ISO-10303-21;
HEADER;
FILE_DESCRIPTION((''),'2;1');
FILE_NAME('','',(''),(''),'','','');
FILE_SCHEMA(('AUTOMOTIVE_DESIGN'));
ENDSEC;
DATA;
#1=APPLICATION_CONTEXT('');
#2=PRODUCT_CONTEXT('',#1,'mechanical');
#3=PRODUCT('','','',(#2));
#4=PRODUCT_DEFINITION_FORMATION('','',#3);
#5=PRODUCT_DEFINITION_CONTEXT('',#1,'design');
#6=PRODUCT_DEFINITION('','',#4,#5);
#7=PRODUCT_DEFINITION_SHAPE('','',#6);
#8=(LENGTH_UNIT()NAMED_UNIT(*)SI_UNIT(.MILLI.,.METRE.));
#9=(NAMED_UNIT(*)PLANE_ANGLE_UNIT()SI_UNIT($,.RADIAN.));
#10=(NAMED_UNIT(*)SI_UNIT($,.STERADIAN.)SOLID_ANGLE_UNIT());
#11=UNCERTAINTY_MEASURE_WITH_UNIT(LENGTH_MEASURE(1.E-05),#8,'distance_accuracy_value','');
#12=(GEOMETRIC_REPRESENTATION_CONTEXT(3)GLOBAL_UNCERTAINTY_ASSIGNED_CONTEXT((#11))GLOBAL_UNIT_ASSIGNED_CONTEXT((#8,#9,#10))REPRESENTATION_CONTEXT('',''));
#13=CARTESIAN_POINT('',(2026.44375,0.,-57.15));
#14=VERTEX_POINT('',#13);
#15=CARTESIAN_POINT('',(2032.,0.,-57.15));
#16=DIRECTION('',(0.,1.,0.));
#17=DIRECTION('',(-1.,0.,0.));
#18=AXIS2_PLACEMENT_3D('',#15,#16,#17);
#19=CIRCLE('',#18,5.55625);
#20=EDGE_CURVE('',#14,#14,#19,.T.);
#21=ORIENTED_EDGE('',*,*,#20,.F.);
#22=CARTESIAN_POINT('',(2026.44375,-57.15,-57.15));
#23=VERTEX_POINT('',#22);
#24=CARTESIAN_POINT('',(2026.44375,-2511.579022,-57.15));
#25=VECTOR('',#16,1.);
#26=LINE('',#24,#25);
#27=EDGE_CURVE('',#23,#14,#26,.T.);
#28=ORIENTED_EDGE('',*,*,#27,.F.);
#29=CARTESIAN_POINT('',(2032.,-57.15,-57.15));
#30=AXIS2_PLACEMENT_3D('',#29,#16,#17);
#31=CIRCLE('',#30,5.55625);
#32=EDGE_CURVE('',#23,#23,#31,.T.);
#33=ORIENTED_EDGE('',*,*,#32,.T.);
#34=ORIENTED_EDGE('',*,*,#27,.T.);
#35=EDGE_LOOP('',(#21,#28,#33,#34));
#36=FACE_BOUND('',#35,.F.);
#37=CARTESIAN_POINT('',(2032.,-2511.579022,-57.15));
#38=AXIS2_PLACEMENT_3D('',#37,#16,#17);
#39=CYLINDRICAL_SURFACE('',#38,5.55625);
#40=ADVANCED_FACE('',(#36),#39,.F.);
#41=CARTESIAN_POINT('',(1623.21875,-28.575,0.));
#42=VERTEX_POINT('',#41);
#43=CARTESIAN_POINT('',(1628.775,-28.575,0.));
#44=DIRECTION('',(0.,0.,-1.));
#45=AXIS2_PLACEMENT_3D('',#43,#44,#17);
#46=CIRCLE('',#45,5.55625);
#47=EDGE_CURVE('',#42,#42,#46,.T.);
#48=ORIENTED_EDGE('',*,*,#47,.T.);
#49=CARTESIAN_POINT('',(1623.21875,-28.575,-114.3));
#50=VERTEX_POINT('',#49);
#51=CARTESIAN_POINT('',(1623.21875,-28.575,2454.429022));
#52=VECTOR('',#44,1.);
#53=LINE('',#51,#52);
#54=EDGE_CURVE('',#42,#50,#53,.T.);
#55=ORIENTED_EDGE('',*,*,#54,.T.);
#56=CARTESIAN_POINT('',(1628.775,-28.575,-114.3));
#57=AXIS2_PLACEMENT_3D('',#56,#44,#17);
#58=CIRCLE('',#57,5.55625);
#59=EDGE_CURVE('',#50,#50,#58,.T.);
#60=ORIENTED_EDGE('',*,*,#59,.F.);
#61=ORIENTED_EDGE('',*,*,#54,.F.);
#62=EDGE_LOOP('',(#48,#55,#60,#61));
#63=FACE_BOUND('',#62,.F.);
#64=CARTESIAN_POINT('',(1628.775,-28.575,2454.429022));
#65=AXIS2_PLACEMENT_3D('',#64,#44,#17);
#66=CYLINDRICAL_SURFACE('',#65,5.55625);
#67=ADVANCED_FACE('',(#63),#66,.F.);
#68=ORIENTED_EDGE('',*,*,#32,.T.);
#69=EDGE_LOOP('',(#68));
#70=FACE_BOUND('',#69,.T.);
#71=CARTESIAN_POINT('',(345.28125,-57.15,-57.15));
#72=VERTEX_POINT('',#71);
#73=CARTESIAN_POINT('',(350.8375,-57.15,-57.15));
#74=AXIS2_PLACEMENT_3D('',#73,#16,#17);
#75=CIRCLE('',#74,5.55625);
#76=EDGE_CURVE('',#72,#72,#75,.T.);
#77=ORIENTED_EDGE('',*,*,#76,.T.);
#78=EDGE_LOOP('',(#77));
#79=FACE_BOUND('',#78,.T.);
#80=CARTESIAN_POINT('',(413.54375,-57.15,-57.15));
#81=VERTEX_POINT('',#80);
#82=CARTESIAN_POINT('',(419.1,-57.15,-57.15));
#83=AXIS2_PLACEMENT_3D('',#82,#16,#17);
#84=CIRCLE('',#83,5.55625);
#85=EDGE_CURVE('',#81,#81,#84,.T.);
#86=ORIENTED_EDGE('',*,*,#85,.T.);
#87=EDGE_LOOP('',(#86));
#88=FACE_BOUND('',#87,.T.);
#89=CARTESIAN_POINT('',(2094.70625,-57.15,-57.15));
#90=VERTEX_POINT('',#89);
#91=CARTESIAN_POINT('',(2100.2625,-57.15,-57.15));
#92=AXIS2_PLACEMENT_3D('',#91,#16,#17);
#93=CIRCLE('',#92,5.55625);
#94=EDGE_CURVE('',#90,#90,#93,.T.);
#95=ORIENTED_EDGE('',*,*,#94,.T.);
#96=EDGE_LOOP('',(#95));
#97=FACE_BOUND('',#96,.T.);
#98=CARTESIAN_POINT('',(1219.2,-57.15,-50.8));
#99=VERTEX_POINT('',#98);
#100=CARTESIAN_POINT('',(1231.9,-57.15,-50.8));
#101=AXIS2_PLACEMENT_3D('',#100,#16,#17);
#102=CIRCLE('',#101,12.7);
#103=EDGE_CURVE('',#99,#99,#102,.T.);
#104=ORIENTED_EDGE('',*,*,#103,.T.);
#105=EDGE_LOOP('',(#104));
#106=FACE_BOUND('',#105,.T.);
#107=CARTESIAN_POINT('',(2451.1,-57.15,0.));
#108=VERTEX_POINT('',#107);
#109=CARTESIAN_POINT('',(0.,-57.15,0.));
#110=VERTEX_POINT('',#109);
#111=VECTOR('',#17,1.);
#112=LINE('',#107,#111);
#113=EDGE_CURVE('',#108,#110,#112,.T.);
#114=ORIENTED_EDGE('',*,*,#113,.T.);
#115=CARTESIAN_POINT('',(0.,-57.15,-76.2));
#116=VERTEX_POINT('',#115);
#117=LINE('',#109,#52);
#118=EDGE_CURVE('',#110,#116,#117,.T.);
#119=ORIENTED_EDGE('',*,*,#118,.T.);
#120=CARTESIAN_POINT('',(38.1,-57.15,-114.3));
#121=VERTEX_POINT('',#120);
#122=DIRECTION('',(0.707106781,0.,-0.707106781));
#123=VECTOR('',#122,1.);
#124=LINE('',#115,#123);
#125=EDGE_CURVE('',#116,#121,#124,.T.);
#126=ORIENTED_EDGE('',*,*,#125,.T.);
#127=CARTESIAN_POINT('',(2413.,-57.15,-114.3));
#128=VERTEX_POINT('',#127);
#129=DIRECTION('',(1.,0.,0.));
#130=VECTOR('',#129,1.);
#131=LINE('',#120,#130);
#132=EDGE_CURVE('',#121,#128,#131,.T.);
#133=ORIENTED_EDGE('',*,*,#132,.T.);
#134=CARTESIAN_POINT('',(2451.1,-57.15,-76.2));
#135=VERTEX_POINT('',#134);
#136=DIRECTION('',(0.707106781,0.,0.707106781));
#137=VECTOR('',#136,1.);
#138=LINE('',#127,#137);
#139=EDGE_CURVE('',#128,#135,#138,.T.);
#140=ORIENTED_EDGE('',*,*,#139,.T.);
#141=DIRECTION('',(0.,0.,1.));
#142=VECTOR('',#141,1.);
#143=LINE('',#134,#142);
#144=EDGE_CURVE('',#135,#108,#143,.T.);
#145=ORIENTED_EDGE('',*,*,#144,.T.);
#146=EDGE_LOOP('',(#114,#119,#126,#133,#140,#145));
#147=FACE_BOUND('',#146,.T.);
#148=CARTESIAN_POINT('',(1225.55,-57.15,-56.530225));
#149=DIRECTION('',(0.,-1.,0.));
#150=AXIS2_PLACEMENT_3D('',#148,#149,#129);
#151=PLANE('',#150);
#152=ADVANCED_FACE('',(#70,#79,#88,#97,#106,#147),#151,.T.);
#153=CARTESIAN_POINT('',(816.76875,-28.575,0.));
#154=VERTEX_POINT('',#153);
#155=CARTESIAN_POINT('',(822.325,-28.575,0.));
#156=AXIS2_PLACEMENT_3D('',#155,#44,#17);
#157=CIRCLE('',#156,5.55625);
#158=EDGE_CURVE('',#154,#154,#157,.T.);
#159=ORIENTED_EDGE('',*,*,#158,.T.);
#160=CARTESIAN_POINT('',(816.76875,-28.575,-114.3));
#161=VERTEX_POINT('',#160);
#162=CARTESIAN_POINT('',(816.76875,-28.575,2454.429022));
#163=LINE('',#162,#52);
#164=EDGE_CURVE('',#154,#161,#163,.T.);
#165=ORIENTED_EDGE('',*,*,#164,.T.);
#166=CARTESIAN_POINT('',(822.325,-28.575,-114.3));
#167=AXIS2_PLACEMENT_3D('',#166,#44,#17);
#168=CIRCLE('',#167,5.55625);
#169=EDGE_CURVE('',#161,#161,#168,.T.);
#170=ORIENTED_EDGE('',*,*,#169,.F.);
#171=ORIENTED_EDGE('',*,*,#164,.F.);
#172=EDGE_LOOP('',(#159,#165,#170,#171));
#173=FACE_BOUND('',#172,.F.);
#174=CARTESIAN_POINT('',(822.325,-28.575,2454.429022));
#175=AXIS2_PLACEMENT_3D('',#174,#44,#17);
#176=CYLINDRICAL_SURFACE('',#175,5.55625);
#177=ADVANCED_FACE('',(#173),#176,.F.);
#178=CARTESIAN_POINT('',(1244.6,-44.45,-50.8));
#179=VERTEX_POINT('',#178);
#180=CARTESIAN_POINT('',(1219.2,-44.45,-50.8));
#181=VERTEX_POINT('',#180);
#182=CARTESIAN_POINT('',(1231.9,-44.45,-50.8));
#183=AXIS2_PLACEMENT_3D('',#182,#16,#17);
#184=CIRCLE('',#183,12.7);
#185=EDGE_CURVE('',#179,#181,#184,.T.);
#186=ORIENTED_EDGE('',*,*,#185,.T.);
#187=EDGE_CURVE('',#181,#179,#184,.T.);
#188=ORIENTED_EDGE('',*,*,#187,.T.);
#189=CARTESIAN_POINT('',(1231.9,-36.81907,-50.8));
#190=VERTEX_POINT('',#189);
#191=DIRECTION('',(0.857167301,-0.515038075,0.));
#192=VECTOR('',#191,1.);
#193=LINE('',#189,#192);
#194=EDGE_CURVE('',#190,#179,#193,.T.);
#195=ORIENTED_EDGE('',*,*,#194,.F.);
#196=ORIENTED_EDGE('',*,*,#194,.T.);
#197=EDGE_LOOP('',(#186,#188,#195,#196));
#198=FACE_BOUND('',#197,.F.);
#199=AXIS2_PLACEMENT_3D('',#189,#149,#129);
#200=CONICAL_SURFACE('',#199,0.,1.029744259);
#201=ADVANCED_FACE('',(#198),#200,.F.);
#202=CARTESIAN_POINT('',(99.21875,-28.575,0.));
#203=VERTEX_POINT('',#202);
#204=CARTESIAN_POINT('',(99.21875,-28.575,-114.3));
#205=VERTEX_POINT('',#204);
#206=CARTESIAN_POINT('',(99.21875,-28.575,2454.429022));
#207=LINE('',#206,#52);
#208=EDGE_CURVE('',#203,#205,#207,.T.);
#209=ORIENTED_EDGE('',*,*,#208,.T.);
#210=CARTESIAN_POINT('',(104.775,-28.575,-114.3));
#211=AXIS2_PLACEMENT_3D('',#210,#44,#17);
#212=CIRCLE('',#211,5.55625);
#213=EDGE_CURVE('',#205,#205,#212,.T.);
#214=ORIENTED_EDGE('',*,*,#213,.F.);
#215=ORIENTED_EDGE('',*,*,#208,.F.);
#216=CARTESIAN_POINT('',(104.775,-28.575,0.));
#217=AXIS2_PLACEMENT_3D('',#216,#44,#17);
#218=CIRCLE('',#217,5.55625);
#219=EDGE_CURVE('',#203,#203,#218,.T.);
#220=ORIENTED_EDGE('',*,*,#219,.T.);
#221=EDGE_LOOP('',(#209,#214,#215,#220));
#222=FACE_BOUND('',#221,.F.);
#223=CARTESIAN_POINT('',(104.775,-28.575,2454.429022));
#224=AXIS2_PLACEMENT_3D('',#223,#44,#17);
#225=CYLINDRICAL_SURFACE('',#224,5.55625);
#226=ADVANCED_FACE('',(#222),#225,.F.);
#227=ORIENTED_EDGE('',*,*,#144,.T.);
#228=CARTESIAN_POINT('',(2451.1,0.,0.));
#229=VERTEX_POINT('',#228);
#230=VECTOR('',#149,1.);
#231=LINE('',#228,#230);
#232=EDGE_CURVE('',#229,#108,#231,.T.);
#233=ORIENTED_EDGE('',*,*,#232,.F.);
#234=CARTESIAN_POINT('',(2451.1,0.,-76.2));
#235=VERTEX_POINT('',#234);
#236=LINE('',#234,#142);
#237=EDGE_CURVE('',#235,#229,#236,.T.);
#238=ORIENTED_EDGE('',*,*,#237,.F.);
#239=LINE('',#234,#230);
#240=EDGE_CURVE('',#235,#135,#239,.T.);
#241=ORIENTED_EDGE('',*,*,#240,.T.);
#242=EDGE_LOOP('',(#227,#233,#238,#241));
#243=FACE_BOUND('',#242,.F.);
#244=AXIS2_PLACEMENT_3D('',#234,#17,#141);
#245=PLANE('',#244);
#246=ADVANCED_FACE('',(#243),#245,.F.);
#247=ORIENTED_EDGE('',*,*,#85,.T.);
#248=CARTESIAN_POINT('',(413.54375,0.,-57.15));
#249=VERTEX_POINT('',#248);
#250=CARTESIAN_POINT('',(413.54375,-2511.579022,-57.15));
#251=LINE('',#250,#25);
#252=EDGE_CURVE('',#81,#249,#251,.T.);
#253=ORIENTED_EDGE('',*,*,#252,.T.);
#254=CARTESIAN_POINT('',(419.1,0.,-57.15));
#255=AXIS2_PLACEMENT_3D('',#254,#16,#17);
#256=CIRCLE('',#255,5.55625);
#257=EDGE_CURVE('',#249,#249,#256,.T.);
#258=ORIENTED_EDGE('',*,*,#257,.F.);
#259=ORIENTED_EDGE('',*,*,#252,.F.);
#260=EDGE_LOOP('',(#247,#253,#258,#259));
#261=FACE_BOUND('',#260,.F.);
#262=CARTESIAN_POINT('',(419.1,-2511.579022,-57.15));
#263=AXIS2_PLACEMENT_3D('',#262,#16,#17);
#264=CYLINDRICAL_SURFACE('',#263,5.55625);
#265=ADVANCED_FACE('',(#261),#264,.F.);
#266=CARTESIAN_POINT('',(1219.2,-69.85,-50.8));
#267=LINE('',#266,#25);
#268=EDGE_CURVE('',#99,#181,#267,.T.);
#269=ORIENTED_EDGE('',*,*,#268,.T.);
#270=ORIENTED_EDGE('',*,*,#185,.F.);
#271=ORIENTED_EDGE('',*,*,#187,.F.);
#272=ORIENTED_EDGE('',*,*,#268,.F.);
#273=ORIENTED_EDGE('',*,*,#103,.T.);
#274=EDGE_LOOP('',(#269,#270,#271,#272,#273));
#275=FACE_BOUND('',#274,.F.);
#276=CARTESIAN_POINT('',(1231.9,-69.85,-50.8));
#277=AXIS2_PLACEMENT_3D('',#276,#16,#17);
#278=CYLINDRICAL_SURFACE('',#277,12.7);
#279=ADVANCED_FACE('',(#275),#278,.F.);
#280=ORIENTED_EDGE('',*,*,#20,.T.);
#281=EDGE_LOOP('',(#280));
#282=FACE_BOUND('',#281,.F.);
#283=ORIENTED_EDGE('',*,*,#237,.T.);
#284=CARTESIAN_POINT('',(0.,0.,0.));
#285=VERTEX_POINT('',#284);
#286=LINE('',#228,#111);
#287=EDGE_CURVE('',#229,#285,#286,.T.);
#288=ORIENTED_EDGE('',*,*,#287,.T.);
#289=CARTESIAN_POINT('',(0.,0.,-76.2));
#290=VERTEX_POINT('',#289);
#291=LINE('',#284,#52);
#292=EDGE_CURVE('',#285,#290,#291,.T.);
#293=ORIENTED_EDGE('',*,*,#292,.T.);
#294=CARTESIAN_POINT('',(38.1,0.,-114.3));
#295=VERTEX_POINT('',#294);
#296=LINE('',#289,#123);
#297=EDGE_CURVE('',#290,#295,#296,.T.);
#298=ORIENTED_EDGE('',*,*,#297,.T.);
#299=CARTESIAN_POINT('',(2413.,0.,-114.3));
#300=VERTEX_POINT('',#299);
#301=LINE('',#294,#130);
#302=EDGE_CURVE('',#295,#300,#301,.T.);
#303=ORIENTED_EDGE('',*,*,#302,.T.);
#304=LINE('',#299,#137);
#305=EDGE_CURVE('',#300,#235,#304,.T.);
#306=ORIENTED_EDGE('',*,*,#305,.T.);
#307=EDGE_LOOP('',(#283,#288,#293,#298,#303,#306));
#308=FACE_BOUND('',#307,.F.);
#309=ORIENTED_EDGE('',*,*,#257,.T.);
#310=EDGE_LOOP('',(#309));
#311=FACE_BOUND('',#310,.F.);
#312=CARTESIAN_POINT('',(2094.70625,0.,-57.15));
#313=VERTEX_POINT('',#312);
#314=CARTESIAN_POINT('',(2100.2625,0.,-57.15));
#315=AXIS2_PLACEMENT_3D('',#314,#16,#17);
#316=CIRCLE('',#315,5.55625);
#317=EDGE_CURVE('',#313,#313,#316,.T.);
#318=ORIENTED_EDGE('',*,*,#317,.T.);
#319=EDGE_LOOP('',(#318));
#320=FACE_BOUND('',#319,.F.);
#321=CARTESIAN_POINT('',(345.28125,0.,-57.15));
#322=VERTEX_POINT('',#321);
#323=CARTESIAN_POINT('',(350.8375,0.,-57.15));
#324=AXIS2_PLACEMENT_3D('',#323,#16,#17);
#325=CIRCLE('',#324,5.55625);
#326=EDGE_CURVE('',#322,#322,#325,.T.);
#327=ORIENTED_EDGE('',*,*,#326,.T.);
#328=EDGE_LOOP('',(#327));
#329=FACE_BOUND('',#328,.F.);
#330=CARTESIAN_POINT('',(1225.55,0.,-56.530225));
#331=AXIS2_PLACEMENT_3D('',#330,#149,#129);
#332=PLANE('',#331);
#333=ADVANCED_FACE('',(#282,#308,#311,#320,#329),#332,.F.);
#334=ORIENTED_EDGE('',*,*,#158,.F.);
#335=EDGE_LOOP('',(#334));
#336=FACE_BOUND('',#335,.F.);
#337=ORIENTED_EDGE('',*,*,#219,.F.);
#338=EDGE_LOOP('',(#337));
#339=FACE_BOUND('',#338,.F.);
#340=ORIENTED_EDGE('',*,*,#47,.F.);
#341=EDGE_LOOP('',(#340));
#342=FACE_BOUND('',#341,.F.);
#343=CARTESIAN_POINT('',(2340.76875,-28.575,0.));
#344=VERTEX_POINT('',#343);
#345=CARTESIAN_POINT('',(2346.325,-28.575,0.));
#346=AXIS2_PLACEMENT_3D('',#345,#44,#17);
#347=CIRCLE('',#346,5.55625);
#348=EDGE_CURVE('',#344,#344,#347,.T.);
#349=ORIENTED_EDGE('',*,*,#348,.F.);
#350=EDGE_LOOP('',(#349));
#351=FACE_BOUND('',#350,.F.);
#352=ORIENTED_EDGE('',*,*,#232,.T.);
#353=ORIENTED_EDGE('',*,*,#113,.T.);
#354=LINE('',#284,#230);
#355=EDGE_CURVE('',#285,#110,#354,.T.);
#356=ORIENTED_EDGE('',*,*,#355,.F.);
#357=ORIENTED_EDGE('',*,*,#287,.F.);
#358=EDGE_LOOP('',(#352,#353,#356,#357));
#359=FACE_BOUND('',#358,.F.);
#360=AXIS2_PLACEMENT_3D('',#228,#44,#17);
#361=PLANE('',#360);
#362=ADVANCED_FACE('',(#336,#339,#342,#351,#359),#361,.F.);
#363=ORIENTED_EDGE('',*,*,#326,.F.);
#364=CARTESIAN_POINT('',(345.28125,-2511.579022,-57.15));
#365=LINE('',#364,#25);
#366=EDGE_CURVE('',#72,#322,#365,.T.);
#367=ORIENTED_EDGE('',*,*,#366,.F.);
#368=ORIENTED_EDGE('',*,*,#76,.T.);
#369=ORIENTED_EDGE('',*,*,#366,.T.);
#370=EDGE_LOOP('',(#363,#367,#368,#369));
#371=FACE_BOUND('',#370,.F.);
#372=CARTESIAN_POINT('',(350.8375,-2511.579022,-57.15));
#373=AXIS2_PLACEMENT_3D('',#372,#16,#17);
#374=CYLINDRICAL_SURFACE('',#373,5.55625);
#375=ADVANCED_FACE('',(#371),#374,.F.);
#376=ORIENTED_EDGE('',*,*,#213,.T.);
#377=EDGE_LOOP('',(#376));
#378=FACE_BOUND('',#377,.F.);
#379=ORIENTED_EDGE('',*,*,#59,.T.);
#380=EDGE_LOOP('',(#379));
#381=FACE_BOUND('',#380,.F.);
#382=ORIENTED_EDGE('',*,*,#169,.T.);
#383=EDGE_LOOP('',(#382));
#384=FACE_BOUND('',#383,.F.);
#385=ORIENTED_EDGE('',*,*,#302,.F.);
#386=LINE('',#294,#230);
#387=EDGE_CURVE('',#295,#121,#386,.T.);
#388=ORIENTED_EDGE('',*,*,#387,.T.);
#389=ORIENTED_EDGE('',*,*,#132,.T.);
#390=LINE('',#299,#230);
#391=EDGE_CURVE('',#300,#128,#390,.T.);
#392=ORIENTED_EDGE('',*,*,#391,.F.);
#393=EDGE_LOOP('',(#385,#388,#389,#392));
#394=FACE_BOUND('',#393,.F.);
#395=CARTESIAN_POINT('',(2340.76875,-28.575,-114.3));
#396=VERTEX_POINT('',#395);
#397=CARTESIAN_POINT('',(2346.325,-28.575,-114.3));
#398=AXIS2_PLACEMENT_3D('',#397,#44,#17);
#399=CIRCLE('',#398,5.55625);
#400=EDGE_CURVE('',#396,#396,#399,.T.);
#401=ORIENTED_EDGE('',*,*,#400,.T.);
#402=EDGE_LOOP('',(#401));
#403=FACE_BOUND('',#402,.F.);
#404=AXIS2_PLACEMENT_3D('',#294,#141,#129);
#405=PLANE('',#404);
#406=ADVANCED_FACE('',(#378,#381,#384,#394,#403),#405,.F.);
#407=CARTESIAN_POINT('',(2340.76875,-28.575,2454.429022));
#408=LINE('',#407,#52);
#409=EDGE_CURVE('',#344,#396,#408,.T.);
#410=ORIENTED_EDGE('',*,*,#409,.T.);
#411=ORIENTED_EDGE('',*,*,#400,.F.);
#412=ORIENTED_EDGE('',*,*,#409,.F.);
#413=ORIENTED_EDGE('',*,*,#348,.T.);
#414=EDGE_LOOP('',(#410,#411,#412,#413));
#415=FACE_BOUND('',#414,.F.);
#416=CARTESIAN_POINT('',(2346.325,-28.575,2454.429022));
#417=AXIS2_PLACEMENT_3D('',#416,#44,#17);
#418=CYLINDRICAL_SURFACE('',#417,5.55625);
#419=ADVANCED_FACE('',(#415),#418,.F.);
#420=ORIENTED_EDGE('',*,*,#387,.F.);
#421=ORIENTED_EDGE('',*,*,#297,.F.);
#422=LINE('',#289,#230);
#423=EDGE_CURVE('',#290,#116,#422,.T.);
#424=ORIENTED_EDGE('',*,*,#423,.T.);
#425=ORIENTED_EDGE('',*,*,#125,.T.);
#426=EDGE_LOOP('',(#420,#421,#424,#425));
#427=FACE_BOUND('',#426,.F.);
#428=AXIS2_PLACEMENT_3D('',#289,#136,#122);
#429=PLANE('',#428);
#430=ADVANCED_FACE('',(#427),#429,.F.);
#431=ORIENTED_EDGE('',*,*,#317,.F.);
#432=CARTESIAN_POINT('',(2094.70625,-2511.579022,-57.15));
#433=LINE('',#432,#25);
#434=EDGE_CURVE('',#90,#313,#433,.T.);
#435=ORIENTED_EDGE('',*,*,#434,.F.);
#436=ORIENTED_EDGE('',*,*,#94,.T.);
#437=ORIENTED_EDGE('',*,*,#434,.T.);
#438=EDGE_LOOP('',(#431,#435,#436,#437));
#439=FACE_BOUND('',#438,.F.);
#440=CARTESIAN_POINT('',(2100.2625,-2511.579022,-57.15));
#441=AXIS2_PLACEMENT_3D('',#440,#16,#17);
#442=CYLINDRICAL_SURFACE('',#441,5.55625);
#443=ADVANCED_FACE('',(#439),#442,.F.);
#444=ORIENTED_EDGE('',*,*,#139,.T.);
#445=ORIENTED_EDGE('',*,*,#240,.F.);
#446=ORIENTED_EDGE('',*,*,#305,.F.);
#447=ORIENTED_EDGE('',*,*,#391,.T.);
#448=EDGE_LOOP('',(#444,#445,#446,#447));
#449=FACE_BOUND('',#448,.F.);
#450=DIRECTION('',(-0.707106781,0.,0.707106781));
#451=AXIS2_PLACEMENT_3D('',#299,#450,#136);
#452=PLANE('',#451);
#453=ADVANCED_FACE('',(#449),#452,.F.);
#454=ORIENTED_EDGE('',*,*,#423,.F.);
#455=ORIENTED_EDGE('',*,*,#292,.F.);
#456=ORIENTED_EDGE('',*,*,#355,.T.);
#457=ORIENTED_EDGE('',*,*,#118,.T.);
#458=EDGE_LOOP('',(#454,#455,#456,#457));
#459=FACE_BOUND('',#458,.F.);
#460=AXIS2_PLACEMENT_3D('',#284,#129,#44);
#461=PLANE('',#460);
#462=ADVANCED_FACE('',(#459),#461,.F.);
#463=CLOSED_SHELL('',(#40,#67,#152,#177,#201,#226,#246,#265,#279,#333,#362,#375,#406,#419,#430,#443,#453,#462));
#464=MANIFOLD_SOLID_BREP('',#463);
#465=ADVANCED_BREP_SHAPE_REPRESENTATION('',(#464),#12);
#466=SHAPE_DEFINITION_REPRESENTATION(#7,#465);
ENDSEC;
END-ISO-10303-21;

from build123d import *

# Parameters (mm, degrees)
F1_DEPTH = 57.15
F3_D     = 11.1125
F5_D     = 11.1125
F7_D     = 25.4
F7_DEPTH = 12.7
F7_TIP   = 7.6309298617


with BuildPart() as f1:
    # F0 (on Front) → F1 (new body)
    with BuildSketch(Plane.XZ):
        Polygon((2451.1, 0), (0, 0), (0, -76.2), (38.1, -114.3), (2413, -114.3), (2451.1, -76.2), align=None)
    extrude(amount=F1_DEPTH)

    # F3 (through all)
    with Locations(Plane.XY):
        with Locations((104.775, -28.575), (822.325, -28.575), (1628.775, -28.575), (2346.325, -28.575)):
            Hole(F3_D / 2)

    # F5 (through all)
    with Locations(Plane.XZ.offset(57.15)):
        with Locations((350.8375, -57.15), (419.1, -57.15), (2032, -57.15), (2100.2625, -57.15)):
            Hole(F5_D / 2)

    # F7
    with Locations(Plane.XZ.offset(57.15)):
        with Locations((1231.9, -50.8)):
            Hole(F7_D / 2, depth=F7_DEPTH)
            with Locations((0, 0, -(F7_DEPTH + F7_TIP / 2))):  # 118° drill point
                Cone(0, F7_D / 2, F7_TIP, mode=Mode.SUBTRACT)


solid = f1.part
